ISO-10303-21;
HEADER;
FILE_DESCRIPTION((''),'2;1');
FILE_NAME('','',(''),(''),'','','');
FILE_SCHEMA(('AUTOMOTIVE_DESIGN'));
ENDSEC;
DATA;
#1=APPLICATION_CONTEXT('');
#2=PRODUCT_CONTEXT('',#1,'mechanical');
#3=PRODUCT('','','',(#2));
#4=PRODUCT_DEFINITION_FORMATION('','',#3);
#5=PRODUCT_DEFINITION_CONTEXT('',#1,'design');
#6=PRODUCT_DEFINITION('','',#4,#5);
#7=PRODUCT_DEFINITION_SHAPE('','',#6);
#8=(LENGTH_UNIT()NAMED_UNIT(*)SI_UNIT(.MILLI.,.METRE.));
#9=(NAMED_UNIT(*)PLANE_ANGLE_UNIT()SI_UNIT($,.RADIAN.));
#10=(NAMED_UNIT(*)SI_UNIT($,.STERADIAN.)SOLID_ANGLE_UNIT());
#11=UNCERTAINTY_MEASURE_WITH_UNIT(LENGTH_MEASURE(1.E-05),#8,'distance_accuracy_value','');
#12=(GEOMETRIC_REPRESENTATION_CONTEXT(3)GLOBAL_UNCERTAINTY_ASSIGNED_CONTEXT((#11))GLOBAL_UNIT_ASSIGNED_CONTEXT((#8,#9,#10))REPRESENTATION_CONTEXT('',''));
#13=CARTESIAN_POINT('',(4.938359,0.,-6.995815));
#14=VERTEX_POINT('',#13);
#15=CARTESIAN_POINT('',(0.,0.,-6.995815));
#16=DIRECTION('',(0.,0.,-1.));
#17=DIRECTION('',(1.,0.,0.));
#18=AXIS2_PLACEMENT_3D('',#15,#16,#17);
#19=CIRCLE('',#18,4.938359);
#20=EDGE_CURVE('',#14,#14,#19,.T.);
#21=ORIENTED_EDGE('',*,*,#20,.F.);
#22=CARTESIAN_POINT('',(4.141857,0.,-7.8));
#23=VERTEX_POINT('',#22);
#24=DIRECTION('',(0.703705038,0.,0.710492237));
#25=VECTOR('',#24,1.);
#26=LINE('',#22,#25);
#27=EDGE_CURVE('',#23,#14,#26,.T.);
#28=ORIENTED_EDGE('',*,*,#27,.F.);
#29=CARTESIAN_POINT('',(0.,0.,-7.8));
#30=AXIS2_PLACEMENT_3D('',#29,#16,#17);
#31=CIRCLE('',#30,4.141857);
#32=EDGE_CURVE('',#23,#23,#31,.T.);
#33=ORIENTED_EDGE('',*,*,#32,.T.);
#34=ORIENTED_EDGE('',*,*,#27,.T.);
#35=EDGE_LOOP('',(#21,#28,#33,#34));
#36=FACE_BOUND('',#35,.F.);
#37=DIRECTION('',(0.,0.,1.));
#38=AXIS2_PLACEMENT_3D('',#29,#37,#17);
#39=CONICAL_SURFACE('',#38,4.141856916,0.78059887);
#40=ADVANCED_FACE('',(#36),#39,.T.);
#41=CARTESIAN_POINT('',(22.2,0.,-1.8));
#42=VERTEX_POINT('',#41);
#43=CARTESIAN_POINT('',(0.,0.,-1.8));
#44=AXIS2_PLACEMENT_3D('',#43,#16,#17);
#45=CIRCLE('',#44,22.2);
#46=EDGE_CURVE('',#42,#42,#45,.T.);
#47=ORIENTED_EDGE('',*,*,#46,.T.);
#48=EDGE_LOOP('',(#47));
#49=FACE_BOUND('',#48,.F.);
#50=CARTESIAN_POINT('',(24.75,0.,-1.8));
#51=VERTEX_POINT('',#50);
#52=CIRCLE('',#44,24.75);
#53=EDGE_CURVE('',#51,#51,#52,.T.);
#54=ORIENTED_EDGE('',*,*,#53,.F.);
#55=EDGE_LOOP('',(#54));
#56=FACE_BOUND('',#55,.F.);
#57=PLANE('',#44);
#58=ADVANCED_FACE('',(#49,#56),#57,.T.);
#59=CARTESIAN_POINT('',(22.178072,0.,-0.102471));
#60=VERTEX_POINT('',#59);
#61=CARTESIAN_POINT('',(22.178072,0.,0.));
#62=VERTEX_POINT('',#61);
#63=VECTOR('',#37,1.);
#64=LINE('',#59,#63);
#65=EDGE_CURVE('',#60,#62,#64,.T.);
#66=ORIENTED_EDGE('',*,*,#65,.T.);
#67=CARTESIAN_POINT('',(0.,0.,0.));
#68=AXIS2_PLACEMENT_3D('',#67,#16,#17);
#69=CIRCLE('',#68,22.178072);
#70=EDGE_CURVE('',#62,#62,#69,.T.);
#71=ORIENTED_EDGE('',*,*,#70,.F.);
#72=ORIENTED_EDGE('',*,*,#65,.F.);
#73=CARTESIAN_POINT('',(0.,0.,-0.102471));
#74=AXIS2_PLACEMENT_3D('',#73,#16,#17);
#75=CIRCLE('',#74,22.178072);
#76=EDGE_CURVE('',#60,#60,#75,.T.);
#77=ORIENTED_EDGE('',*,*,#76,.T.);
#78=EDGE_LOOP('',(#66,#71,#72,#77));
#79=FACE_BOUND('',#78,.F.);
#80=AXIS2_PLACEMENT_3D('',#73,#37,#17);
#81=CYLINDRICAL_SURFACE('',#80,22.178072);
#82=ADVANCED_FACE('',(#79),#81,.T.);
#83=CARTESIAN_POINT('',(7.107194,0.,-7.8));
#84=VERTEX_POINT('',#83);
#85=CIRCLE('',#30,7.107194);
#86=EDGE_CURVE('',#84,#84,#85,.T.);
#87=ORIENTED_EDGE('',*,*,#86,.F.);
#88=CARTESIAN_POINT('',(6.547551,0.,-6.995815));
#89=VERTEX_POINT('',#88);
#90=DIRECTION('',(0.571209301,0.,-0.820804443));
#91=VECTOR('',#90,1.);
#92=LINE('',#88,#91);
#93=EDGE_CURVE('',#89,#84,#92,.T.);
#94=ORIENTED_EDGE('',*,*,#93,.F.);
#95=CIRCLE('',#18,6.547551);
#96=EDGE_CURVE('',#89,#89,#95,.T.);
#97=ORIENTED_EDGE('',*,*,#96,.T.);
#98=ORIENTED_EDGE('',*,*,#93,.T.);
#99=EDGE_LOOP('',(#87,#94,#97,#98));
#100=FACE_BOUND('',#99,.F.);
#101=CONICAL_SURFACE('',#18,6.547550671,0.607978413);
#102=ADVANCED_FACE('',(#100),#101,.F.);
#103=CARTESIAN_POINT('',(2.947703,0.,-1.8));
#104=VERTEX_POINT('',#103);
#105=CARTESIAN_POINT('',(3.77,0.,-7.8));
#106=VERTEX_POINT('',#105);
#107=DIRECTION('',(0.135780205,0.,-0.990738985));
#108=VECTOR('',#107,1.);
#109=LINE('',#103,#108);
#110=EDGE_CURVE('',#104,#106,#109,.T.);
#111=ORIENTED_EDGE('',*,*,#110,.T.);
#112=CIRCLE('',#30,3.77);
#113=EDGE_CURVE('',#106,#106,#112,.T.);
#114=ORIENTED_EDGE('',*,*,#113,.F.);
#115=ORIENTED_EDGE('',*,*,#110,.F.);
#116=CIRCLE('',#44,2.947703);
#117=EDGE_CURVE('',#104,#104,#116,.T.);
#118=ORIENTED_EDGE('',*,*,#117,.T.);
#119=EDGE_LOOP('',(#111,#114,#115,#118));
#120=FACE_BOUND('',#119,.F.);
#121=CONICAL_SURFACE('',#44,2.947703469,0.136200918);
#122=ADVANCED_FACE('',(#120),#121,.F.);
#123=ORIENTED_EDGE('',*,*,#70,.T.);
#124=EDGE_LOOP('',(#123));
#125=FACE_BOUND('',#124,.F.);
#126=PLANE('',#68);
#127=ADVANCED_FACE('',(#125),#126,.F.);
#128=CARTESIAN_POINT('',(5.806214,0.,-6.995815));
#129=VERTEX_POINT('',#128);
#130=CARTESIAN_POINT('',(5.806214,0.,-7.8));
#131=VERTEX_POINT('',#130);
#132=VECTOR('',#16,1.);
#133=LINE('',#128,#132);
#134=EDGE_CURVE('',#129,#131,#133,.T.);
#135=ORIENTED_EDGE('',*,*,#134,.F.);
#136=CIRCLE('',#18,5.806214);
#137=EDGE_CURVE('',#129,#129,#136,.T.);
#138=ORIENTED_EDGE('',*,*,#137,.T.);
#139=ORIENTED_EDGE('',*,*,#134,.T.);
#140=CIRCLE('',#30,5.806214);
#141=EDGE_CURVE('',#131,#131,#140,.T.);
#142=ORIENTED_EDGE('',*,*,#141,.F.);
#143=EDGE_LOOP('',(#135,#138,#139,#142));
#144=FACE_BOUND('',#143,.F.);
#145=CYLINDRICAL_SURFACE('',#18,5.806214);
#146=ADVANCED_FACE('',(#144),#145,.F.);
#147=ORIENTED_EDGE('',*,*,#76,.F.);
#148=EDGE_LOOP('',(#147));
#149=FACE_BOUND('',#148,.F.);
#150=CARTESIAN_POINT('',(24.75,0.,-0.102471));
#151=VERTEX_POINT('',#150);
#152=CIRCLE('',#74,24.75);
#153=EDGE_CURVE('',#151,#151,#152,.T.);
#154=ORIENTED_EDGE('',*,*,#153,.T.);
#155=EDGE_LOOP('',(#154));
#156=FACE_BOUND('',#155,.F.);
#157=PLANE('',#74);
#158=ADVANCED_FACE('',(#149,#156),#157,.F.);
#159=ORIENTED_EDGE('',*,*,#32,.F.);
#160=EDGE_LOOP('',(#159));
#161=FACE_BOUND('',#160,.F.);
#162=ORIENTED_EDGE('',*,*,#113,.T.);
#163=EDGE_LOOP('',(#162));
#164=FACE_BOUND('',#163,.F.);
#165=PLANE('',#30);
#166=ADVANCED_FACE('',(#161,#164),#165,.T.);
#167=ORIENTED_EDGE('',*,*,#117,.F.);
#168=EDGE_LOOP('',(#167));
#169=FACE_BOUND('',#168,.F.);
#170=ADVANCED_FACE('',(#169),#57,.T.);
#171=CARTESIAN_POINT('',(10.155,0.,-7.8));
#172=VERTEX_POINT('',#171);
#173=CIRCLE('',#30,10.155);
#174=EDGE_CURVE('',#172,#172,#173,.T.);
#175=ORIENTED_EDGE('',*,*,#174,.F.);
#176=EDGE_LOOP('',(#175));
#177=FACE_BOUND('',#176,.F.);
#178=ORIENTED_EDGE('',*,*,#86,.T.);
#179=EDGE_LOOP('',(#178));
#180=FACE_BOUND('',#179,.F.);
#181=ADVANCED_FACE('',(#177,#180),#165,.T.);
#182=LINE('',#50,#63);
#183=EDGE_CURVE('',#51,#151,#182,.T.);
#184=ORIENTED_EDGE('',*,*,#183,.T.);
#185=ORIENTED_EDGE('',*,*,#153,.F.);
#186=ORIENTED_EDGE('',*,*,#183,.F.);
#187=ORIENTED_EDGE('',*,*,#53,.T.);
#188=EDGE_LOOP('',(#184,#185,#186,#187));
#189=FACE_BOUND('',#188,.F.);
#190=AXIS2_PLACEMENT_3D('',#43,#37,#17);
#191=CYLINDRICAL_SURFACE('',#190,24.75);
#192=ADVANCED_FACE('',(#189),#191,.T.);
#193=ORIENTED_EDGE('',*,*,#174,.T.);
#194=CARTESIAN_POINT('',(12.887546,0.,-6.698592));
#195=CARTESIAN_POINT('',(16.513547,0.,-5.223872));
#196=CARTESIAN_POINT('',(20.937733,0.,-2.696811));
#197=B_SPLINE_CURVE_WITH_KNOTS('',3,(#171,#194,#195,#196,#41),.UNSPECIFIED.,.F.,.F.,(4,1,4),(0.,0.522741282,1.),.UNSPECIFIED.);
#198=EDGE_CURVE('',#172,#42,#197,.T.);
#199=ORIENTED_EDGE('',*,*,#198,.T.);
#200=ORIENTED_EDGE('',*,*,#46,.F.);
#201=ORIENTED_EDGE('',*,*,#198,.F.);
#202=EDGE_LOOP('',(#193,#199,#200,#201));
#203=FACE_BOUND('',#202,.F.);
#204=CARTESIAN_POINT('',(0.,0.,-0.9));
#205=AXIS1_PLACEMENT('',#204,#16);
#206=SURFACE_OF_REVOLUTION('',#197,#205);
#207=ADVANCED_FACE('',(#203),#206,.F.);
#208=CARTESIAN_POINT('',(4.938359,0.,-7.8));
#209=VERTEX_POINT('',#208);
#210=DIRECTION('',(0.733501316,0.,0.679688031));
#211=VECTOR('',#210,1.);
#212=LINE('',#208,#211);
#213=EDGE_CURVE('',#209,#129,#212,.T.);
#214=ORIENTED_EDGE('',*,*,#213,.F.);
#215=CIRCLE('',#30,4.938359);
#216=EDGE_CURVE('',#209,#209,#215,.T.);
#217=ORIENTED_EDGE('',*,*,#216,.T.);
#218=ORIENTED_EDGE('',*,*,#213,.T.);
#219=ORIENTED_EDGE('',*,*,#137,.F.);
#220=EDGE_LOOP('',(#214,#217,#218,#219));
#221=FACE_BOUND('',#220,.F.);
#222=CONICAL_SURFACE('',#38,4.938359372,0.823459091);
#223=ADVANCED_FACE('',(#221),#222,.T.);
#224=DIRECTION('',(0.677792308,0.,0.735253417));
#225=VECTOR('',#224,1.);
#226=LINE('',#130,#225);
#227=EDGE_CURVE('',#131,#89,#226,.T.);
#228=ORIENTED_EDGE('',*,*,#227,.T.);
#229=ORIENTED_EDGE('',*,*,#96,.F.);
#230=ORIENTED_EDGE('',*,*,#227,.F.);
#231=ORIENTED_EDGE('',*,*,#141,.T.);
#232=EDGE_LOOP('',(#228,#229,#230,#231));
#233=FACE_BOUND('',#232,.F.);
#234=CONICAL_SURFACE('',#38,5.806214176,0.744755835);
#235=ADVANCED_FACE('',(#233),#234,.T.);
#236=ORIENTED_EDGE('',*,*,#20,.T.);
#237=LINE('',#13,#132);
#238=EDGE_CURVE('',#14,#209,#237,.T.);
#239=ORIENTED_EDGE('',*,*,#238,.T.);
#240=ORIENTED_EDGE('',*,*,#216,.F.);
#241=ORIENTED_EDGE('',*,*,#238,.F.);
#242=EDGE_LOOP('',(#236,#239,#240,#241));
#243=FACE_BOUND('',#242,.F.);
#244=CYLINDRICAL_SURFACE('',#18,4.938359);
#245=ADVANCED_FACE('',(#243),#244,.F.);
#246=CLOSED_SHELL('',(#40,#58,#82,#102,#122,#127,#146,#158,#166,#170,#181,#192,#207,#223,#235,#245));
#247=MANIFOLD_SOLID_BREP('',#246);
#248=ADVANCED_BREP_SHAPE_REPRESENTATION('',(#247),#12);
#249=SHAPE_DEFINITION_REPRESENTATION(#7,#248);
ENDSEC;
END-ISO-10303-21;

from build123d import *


with BuildPart() as f1:
    # F0 (on Front) → F1 (revolve)
    with BuildSketch(Plane.XZ):
        with BuildLine():
            Line((22.1780724823, 0), (0, 0))
            Line((0, 0), (0, -1.8))
            Line((0, -1.8), (2.9477034695, -1.8))
            Line((2.9477034695, -1.8), (3.77, -7.8))
            Line((3.77, -7.8), (4.1418569162, -7.8))
            Line((4.1418569162, -7.8), (4.9383593723, -6.9958153181))
            Line((4.9383593723, -6.9958153181), (4.9383593723, -7.8))
            Line((4.9383593723, -7.8), (5.8062141761, -6.9958153181))
            Line((5.8062141761, -6.9958153181), (5.8062141761, -7.8))
            Line((5.8062141761, -7.8), (6.5475506708, -6.9958153181))
            Line((6.5475506708, -6.9958153181), (7.1071940474, -7.8))
            Line((7.1071940474, -7.8), (10.155, -7.8))
            add(Edge.make_bspline(
                [(10.155, -7.8), (12.8875457393, -6.6985920118), (16.5135470556, -5.2238716882), (20.9377328626, -2.6968105647), (22.2, -1.8)],
                knots=[0, 0, 0, 0, 0.5227412825, 1, 1, 1, 1], degree=3))
            Line((22.2, -1.8), (24.75, -1.8))
            Line((24.75, -1.8), (24.75, -0.1024712838))
            Line((24.75, -0.1024712838), (22.1780724823, -0.1024712838))
            Line((22.1780724823, -0.1024712838), (22.1780724823, 0))
        make_face()
    revolve(axis=Axis((0, 0, -0.9), (0, 0, -1)))


solid = f1.part
